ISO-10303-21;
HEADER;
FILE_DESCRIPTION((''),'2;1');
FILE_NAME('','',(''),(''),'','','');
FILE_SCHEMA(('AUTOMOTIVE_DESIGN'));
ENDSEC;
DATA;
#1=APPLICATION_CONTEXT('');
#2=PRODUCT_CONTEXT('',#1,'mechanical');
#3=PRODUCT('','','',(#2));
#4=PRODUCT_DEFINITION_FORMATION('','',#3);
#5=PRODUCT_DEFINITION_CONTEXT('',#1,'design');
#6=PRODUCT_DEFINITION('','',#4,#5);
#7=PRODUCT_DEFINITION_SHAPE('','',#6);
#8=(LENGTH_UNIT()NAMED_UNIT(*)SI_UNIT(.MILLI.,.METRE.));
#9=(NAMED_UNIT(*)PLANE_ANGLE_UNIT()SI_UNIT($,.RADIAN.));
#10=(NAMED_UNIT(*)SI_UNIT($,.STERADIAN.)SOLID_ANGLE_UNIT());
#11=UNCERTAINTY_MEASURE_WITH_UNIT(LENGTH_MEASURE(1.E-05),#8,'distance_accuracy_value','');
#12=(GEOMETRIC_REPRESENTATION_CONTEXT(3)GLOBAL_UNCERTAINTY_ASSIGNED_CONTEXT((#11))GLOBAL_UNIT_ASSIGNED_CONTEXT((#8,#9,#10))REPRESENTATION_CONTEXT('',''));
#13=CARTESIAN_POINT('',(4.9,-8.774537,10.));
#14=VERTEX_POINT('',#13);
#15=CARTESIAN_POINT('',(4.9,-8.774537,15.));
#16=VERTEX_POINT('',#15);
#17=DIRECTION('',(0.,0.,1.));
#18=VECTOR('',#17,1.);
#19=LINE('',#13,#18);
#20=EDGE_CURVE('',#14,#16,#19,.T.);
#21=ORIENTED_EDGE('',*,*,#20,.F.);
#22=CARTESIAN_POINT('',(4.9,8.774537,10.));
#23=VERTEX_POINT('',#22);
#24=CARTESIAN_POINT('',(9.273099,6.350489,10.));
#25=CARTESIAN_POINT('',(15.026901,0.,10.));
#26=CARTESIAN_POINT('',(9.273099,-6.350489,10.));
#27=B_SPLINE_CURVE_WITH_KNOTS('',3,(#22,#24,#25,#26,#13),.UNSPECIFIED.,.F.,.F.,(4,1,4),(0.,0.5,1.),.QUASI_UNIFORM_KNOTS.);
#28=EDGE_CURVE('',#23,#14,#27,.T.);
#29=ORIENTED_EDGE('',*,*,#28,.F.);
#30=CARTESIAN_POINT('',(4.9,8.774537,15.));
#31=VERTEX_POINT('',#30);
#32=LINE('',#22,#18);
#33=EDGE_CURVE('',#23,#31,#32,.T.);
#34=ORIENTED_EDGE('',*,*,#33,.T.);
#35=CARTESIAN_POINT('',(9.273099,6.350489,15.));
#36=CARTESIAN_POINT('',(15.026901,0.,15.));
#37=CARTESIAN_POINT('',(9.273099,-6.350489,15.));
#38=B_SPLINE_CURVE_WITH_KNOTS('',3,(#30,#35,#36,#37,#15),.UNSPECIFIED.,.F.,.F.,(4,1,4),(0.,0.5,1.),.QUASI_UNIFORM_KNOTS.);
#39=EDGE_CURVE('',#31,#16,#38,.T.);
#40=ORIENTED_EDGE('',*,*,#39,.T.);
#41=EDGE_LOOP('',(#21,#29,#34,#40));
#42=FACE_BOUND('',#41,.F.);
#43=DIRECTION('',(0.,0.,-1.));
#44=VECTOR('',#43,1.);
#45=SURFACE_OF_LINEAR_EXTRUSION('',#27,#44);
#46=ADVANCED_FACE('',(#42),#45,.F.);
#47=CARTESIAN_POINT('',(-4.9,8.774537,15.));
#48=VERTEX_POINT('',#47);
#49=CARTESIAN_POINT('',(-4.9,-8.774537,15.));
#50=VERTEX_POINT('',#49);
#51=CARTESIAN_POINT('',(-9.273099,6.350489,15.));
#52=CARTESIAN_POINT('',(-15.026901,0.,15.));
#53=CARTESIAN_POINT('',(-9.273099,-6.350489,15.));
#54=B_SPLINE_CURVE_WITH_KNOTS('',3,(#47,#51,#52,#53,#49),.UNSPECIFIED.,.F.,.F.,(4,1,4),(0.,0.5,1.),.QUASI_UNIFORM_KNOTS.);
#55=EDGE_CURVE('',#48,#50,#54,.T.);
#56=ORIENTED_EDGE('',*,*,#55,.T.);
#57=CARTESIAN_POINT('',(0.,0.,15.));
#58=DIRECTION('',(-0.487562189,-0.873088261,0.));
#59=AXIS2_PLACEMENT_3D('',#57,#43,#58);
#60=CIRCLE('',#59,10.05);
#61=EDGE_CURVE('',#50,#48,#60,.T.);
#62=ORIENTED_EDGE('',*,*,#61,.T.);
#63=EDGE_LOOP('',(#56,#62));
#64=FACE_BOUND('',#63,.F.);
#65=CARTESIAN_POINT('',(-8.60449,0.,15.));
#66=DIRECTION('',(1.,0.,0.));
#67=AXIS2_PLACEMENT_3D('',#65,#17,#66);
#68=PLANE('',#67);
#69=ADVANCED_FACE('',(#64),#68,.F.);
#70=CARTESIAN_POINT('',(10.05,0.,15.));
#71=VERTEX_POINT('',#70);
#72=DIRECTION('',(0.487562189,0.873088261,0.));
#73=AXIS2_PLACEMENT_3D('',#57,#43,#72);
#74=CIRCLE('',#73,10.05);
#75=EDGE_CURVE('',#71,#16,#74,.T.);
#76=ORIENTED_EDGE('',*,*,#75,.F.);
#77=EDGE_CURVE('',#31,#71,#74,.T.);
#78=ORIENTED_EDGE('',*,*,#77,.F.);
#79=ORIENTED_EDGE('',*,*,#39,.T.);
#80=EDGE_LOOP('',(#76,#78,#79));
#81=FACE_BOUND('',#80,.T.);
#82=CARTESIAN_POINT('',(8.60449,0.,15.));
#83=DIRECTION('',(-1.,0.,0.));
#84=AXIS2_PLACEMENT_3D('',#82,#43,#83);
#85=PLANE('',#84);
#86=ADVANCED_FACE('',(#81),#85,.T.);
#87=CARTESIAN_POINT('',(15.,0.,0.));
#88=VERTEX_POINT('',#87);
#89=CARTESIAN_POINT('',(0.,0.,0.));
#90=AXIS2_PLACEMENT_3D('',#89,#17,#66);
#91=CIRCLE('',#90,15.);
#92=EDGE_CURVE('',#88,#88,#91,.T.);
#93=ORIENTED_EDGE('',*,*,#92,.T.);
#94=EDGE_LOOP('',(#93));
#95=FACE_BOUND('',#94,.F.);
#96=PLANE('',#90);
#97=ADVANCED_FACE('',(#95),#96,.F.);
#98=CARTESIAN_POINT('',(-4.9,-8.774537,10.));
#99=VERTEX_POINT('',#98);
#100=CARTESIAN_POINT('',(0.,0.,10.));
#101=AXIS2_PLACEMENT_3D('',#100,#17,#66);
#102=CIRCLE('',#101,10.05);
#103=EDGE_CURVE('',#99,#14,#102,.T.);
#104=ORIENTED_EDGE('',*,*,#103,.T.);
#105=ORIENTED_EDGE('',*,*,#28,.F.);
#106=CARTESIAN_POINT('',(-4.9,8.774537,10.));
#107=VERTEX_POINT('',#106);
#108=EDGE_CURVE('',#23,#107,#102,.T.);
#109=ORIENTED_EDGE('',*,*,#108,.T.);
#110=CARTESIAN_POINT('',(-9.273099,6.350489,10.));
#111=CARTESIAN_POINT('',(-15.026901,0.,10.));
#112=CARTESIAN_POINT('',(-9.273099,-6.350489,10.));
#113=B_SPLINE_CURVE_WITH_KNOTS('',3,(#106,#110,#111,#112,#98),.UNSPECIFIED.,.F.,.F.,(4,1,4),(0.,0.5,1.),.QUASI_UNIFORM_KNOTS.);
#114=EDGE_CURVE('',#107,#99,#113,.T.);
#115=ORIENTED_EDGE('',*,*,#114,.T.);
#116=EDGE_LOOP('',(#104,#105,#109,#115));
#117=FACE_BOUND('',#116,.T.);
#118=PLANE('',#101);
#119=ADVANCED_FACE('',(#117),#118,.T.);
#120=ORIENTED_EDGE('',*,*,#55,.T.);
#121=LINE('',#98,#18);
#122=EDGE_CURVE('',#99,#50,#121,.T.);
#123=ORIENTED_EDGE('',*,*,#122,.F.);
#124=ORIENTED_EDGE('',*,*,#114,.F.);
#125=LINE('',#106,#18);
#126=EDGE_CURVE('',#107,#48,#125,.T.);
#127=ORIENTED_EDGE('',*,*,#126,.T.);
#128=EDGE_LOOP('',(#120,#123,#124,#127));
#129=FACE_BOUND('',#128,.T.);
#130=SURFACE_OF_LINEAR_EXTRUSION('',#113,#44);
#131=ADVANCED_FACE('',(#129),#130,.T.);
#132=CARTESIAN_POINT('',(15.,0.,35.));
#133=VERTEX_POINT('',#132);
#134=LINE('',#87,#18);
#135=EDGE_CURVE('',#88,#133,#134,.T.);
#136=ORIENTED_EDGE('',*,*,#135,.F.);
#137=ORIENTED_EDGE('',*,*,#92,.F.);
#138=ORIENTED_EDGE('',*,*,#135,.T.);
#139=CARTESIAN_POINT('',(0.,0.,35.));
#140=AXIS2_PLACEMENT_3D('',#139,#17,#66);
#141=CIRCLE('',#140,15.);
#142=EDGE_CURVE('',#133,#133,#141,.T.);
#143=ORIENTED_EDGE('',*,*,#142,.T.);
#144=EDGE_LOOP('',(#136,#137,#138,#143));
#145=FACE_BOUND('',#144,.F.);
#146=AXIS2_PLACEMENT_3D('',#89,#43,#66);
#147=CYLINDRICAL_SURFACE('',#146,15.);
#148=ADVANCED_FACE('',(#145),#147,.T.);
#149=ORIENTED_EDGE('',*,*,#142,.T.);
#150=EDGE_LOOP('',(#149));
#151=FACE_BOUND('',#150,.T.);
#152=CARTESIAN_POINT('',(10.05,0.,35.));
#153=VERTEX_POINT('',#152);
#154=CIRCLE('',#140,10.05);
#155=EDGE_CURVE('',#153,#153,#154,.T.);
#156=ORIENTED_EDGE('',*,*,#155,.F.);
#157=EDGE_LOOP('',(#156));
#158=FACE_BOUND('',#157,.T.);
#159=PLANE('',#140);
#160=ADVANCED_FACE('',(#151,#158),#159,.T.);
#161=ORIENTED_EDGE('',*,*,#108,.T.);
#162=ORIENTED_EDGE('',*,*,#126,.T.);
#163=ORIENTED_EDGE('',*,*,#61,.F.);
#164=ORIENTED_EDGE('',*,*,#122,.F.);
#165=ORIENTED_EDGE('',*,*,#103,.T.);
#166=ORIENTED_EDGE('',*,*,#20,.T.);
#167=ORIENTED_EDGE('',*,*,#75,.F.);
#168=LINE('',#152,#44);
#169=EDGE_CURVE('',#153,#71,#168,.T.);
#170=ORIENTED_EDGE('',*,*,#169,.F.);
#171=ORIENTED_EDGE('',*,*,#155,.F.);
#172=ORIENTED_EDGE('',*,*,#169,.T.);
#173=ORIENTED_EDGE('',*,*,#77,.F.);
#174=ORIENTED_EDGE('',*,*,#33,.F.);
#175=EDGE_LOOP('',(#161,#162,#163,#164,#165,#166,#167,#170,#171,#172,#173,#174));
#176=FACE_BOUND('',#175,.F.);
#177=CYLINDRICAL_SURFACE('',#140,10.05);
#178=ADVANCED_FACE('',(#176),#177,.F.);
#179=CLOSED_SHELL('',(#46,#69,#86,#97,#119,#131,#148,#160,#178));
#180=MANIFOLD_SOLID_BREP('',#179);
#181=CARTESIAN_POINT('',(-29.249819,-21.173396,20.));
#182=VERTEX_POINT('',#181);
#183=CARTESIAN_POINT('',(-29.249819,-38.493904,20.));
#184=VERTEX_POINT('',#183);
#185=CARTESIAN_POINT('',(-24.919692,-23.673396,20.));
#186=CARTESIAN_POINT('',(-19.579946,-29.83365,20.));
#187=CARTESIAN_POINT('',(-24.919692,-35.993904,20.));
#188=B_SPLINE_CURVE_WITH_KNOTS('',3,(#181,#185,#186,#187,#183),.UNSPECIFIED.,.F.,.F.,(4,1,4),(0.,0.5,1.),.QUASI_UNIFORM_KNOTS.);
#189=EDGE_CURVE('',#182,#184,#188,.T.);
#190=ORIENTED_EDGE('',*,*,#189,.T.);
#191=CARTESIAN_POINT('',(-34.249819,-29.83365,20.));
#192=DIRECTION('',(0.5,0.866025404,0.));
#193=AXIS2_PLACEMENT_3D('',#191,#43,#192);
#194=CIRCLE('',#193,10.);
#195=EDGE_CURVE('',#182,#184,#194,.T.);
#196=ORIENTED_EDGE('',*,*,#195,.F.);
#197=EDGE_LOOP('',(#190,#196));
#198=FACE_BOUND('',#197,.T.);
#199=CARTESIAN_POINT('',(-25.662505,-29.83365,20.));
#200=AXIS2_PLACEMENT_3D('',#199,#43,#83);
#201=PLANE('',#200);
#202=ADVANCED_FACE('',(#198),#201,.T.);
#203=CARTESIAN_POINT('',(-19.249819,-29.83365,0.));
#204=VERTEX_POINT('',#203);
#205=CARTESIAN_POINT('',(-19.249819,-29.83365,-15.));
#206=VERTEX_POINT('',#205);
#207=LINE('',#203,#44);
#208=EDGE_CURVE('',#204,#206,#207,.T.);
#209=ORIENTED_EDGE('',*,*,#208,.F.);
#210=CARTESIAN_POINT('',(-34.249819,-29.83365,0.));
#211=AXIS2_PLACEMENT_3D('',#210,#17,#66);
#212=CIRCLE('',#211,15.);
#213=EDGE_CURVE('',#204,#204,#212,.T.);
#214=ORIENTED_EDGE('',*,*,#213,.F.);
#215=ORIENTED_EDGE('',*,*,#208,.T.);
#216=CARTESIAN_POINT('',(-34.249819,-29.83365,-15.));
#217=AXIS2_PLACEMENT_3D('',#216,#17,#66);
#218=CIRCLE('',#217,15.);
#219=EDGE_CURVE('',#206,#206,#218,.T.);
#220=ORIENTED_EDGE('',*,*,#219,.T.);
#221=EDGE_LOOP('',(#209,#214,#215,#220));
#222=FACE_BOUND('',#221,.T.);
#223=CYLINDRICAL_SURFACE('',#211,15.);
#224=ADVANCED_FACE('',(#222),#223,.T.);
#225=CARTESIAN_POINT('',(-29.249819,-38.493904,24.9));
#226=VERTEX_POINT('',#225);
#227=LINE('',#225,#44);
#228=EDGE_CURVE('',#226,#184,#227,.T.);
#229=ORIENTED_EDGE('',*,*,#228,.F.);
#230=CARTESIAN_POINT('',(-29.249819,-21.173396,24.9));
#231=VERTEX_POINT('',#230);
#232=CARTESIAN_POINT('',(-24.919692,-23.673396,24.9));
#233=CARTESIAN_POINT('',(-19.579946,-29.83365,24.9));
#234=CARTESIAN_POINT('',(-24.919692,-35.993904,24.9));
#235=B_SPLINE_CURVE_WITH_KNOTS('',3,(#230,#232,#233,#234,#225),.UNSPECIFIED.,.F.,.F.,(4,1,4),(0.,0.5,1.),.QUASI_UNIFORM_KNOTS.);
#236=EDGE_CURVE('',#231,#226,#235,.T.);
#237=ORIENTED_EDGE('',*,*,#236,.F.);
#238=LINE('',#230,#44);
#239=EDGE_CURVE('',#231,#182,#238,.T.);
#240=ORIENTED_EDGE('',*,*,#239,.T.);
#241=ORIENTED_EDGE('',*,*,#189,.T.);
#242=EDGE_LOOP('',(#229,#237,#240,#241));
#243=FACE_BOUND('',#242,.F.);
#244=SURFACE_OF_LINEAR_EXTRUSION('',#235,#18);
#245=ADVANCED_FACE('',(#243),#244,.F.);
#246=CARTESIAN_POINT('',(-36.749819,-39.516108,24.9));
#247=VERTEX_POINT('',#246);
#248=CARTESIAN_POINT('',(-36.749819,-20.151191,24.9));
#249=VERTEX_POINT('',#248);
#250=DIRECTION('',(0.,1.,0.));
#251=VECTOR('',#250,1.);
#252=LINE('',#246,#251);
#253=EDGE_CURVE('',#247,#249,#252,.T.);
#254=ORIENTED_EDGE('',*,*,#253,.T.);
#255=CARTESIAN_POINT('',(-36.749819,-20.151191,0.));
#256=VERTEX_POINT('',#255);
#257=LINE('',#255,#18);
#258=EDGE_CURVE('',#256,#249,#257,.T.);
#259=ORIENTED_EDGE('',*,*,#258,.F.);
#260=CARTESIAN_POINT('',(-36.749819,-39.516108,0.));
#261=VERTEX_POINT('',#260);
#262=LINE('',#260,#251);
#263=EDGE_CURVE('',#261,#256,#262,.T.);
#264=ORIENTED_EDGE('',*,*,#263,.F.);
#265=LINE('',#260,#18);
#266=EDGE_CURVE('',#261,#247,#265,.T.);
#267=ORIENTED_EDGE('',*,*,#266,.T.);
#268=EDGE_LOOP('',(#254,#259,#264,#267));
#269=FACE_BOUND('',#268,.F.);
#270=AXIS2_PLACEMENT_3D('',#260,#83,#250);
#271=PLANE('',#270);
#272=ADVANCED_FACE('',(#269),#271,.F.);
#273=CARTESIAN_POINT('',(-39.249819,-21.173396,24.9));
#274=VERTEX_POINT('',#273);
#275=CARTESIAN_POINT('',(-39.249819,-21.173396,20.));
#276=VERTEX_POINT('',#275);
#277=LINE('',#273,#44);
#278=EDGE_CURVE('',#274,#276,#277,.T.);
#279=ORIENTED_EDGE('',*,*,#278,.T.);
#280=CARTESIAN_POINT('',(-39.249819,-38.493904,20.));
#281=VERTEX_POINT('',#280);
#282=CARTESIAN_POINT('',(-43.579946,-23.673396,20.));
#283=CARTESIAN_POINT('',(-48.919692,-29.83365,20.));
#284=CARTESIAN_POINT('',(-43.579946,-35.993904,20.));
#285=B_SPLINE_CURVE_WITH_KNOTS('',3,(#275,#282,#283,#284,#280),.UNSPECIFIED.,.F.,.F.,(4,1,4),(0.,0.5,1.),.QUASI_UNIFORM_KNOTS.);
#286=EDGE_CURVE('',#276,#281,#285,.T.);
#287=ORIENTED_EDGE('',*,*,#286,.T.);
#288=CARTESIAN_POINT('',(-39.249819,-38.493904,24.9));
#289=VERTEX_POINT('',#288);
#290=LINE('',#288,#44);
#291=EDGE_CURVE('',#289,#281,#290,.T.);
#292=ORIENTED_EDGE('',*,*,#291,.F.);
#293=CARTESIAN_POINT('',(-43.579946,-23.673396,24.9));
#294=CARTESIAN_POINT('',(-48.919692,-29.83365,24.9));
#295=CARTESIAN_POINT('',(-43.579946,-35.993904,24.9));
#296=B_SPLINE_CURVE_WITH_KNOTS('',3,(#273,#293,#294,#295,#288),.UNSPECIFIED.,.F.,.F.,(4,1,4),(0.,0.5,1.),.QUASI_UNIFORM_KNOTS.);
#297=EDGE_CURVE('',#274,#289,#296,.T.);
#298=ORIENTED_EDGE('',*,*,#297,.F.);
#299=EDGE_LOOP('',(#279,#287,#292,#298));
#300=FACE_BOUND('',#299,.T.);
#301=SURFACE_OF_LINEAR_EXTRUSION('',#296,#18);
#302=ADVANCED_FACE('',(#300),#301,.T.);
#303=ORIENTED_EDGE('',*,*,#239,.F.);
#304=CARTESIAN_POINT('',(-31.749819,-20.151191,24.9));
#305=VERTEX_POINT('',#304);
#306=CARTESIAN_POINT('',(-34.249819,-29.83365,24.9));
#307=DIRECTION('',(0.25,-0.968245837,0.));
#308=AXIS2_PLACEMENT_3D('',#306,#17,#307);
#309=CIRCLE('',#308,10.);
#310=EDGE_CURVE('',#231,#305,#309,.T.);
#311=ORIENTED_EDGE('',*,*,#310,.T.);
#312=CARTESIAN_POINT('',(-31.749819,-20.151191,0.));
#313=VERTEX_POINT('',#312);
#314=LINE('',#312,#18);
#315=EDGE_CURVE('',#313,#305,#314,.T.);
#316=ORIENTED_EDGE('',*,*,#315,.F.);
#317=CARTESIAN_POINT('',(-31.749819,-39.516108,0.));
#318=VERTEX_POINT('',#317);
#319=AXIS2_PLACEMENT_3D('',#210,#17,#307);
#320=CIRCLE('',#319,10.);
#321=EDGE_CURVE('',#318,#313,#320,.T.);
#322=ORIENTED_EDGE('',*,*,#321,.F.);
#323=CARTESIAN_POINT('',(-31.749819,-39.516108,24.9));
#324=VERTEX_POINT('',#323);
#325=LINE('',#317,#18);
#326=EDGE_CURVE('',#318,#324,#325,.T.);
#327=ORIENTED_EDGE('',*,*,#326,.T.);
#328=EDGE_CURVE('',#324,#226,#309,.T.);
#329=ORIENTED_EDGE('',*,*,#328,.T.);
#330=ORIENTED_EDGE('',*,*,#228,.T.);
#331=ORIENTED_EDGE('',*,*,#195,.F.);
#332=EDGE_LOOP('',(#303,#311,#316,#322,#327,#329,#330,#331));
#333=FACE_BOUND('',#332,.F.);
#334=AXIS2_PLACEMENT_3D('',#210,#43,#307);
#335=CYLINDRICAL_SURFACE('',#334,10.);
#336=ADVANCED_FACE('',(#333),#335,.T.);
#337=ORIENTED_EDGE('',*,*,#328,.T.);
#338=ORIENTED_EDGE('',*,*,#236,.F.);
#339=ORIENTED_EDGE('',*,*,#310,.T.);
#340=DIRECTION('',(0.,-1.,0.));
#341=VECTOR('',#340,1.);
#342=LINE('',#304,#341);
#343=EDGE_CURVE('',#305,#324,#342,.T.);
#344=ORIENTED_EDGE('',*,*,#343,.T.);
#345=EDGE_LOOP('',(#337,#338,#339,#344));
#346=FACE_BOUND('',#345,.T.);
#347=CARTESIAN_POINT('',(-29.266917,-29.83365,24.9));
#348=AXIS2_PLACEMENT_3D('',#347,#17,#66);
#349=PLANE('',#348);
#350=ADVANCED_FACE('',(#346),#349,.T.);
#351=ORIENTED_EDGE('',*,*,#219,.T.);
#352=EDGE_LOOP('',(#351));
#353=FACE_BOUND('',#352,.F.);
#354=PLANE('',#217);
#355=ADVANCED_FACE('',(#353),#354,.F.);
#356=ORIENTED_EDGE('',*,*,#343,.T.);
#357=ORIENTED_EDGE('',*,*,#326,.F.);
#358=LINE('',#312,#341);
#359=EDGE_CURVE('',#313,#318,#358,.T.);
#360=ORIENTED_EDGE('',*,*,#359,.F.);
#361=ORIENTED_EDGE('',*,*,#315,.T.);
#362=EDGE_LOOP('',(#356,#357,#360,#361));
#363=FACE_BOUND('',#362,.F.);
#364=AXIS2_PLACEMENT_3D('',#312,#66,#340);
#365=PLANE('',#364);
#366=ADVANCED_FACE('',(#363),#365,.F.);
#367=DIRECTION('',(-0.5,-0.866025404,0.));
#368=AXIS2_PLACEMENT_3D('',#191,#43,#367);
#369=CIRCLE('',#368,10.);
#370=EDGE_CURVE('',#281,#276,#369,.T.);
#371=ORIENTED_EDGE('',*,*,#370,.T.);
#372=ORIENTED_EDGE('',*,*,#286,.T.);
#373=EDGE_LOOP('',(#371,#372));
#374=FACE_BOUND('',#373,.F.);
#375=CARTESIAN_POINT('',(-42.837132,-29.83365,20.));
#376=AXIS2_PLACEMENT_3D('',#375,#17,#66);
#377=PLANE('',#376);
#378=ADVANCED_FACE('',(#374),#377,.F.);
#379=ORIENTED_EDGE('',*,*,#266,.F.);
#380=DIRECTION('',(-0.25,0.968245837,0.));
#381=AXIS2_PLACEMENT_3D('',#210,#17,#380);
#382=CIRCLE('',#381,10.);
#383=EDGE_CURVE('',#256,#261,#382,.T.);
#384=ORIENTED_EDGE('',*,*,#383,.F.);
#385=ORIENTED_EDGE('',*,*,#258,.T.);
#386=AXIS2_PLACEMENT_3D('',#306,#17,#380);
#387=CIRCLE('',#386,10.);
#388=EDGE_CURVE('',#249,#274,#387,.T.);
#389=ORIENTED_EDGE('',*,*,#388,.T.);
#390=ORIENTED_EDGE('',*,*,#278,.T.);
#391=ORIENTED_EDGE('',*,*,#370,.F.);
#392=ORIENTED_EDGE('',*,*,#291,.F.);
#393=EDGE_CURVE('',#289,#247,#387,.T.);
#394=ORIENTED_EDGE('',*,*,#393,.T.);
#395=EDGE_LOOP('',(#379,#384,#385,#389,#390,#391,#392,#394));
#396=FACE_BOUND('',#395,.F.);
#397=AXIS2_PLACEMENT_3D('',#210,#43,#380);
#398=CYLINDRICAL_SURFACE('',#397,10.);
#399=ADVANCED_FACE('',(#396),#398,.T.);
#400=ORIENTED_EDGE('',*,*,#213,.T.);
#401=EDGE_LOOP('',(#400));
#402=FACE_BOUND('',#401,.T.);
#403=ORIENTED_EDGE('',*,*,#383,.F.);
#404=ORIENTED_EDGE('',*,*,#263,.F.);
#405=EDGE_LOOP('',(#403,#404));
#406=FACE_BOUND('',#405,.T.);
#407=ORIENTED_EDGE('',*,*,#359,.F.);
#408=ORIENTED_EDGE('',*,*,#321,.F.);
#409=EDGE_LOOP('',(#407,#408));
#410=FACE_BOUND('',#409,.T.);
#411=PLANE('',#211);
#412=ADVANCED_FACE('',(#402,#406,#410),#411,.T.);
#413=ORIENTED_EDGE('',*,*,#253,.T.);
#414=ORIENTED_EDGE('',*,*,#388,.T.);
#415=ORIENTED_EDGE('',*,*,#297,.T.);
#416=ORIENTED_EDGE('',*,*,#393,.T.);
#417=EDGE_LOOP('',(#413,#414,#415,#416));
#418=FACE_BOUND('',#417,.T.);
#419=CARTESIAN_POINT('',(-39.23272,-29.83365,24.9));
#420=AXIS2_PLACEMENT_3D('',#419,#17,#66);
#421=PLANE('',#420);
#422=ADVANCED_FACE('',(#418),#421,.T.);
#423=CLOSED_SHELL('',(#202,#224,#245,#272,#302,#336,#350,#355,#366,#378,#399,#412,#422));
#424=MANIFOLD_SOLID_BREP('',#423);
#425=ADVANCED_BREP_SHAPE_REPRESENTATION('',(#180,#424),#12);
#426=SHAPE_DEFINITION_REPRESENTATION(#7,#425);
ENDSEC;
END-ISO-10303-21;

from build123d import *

# Parameters (mm, degrees)
F0_R      = 15
F1_DEPTH  = 35
F2_R      = 10.05
F3_DEPTH  = 25
F5_DEPTH  = 24.9
F6_R      = 15
F7_DEPTH  = 15
F9_DEPTH  = 4.9
F11_DEPTH = 5


with BuildPart() as f1:
    # F0 (on Top) → F1 (new body)
    with BuildSketch(Plane.XY):
        Circle(F0_R)
    extrude(amount=F1_DEPTH)

    # F2 (on face) → F3 (cut)
    with BuildSketch(Plane.XY.offset(35)):
        Circle(F2_R)
    extrude(amount=-F3_DEPTH, mode=Mode.SUBTRACT)

    # F10 (on face) → F11 (cut)
    with BuildSketch(Plane.XY.offset(10)):
        with BuildLine():
            ThreePointArc((-4.9, -8.7745370248), (-10.05, 0), (-4.9, 8.7745370248))
            add(Edge.make_bspline(
                [(-4.9, 8.7745370248), (-9.2730985357, 6.3504889236), (-15.0269014643, 0), (-9.2730985357, -6.3504889236), (-4.9, -8.7745370248)],
                knots=[0, 0, 0, 0, 0.5, 1, 1, 1, 1], degree=3))
        make_face()
        with BuildLine():
            add(Edge.make_bspline(
                [(4.9, 8.7745370248), (9.2730985357, 6.3504889236), (15.0269014643, 0), (9.2730985357, -6.3504889236), (4.9, -8.7745370248)],
                knots=[0, 0, 0, 0, 0.5, 1, 1, 1, 1], degree=3))
            ThreePointArc((4.9, 8.7745370248), (10.05, 0), (4.9, -8.7745370248))
        make_face()
    extrude(amount=F11_DEPTH, mode=Mode.SUBTRACT)


with BuildPart() as f5:
    # F4 (on Top) → F5 (new body)
    with BuildSketch(Plane.XY):
        with BuildLine():
            Line((-31.7498186064, -20.1511914093), (-31.7498186064, -39.5161081404))
            ThreePointArc((-31.7498186064, -39.5161081404), (-24.2498186064, -29.8336497748), (-31.7498186064, -20.1511914093))
        make_face()
    extrude(amount=F5_DEPTH)



with BuildPart() as f5b:
    # F4 (on Top) → F5, piece 2 (new body)
    with BuildSketch(Plane.XY):
        with BuildLine():
            Line((-36.7498186064, -39.5161081404), (-36.7498186064, -20.1511914093))
            ThreePointArc((-36.7498186064, -20.1511914093), (-44.2498186064, -29.8336497748), (-36.7498186064, -39.5161081404))
        make_face()
    extrude(amount=F5_DEPTH)


with BuildPart() as f5_1:
    add(f5.part)

    add(f5b.part)  # F7 merges F5b
    # F6 (on Top) → F7 (join)
    with BuildSketch(Plane.XY):
        with Locations((-34.2498186064, -29.8336497748)):
            Circle(F6_R)
    extrude(amount=-F7_DEPTH)

    # F8 (on face) → F9 (join)
    with BuildSketch(Plane.XY.offset(24.9)):
        with BuildLine():
            ThreePointArc((-39.2498186064, -38.4939038127), (-44.2498186064, -29.8336497748), (-39.2498186064, -21.173395737))
            add(Edge.make_bspline(
                [(-39.2498186064, -21.173395737), (-43.5799456253, -23.673395737), (-48.9196915875, -29.8336497748), (-43.5799456253, -35.9939038127), (-39.2498186064, -38.4939038127)],
                knots=[0, 0, 0, 0, 0.5, 1, 1, 1, 1], degree=3))
        make_face()
        with BuildLine():
            add(Edge.make_bspline(
                [(-29.2498186064, -21.173395737), (-24.9196915875, -23.673395737), (-19.5799456253, -29.8336497748), (-24.9196915875, -35.9939038127), (-29.2498186064, -38.4939038127)],
                knots=[0, 0, 0, 0, 0.5, 1, 1, 1, 1], degree=3))
            ThreePointArc((-29.2498186064, -21.173395737), (-24.2498186064, -29.8336497748), (-29.2498186064, -38.4939038127))
        make_face()
    extrude(amount=-F9_DEPTH)


solid = Compound([f1.part, f5_1.part])
